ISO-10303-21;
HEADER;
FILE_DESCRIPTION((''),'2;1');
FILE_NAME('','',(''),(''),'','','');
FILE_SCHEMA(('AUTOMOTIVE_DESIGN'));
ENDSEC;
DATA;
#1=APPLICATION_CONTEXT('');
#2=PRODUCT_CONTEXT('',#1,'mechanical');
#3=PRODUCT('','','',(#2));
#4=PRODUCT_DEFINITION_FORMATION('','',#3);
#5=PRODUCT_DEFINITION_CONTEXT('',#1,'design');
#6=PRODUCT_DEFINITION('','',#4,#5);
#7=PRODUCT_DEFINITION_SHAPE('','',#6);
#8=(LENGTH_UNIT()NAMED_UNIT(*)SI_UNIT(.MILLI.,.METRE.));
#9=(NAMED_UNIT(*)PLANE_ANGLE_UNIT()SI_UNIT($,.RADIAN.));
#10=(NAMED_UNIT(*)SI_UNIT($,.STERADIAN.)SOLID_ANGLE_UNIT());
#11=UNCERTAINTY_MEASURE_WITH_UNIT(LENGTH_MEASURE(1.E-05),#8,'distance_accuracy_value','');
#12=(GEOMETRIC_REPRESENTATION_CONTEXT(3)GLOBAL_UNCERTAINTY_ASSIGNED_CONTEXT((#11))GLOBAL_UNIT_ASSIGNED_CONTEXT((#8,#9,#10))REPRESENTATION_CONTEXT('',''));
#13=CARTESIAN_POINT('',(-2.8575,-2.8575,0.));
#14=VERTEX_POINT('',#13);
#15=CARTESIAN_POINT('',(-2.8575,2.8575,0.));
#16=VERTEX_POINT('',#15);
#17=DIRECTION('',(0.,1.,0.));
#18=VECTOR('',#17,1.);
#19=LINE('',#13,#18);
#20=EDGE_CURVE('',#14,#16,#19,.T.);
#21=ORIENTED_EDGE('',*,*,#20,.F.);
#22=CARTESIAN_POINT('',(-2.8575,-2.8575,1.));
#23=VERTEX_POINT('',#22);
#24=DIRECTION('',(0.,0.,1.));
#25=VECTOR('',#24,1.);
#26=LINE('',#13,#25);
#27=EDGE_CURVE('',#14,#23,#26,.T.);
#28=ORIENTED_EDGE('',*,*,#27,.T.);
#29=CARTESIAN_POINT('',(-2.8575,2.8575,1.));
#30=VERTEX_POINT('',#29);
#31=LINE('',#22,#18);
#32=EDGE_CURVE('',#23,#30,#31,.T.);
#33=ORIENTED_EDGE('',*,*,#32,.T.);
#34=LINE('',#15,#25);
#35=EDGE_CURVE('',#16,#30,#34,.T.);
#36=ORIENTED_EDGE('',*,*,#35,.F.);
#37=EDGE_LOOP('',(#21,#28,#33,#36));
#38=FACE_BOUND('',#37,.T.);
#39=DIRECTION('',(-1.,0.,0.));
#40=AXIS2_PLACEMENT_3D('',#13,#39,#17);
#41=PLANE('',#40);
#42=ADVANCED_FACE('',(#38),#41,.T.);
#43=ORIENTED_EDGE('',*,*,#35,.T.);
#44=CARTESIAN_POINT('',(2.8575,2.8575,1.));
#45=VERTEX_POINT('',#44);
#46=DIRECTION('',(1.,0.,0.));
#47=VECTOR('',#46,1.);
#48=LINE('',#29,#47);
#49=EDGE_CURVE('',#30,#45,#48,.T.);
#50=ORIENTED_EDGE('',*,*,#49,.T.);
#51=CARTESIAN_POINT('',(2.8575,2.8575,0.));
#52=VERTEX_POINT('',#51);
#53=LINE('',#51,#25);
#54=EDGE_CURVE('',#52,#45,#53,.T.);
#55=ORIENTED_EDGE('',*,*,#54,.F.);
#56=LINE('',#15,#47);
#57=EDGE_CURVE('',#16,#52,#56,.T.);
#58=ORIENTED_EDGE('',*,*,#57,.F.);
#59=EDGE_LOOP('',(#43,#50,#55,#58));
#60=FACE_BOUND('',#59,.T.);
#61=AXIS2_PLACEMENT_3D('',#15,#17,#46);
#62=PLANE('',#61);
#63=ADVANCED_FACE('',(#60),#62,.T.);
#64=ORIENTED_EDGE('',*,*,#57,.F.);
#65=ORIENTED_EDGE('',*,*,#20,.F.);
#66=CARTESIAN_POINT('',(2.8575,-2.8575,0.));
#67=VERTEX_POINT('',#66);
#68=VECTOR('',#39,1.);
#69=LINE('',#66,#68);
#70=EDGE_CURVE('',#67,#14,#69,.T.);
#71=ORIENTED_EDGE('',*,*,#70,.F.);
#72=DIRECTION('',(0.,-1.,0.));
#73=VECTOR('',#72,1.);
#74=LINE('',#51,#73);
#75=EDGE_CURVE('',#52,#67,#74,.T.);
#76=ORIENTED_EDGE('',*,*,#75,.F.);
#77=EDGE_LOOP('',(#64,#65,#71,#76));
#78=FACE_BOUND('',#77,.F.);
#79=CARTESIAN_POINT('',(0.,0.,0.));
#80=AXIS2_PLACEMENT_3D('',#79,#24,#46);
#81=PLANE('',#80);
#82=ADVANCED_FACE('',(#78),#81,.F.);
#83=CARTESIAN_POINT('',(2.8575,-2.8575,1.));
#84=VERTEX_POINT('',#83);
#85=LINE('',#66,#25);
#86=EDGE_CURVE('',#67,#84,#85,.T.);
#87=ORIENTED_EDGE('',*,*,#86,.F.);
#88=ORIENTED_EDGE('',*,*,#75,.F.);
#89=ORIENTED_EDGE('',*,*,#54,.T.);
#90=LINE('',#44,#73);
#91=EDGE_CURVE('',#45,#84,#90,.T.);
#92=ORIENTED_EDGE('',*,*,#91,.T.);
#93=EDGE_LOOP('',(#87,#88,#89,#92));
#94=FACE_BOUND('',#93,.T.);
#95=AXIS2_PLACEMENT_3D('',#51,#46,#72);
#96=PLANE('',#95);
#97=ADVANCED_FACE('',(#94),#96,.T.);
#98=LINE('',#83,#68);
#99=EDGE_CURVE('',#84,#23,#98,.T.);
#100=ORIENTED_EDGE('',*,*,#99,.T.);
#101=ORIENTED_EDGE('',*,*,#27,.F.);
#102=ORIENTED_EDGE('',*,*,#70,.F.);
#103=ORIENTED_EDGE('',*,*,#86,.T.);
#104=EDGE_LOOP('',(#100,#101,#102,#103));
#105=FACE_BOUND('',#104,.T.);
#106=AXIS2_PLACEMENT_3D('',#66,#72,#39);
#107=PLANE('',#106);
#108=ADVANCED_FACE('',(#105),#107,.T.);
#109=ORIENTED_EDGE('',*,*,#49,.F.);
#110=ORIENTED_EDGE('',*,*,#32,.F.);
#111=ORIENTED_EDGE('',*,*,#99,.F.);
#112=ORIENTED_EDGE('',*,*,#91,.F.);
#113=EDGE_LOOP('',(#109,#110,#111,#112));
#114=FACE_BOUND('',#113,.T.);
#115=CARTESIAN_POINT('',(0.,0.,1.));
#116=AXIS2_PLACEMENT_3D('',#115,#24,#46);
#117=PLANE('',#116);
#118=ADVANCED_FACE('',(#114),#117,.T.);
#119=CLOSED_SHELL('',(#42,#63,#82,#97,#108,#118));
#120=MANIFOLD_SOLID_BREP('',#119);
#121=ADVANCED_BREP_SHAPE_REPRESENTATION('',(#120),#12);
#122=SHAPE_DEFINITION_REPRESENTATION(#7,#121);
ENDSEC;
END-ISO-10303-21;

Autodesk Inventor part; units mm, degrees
ref_plane "YZ Plane" through (0, 0, 0) normal (1, 0, 0) x (0, 1, 0)
ref_plane "XZ Plane" through (0, 0, 0) normal (0, 1, 0) x (-1, 0, 0)
ref_plane "XY Plane" through (0, 0, 0) normal (0, 0, 1) x (1, 0, 0)
sketch "STAND-OFF, STAND-OFF_56" plane through (0, 0, 0) normal (0, 0, 1) x (1, 0, 0)
  line L0 (-2.8575, 2.8575) -> (2.8575, 2.8575)
  line L1 (2.8575, 2.8575) -> (2.8575, -2.8575)
  line L2 (2.8575, -2.8575) -> (-2.8575, -2.8575)
  line L3 (-2.8575, -2.8575) -> (-2.8575, 2.8575)
extrude "Extrusion1" add sketch "STAND-OFF, STAND-OFF_56" along normal blind 1
properties part number "STAND-OFF"
